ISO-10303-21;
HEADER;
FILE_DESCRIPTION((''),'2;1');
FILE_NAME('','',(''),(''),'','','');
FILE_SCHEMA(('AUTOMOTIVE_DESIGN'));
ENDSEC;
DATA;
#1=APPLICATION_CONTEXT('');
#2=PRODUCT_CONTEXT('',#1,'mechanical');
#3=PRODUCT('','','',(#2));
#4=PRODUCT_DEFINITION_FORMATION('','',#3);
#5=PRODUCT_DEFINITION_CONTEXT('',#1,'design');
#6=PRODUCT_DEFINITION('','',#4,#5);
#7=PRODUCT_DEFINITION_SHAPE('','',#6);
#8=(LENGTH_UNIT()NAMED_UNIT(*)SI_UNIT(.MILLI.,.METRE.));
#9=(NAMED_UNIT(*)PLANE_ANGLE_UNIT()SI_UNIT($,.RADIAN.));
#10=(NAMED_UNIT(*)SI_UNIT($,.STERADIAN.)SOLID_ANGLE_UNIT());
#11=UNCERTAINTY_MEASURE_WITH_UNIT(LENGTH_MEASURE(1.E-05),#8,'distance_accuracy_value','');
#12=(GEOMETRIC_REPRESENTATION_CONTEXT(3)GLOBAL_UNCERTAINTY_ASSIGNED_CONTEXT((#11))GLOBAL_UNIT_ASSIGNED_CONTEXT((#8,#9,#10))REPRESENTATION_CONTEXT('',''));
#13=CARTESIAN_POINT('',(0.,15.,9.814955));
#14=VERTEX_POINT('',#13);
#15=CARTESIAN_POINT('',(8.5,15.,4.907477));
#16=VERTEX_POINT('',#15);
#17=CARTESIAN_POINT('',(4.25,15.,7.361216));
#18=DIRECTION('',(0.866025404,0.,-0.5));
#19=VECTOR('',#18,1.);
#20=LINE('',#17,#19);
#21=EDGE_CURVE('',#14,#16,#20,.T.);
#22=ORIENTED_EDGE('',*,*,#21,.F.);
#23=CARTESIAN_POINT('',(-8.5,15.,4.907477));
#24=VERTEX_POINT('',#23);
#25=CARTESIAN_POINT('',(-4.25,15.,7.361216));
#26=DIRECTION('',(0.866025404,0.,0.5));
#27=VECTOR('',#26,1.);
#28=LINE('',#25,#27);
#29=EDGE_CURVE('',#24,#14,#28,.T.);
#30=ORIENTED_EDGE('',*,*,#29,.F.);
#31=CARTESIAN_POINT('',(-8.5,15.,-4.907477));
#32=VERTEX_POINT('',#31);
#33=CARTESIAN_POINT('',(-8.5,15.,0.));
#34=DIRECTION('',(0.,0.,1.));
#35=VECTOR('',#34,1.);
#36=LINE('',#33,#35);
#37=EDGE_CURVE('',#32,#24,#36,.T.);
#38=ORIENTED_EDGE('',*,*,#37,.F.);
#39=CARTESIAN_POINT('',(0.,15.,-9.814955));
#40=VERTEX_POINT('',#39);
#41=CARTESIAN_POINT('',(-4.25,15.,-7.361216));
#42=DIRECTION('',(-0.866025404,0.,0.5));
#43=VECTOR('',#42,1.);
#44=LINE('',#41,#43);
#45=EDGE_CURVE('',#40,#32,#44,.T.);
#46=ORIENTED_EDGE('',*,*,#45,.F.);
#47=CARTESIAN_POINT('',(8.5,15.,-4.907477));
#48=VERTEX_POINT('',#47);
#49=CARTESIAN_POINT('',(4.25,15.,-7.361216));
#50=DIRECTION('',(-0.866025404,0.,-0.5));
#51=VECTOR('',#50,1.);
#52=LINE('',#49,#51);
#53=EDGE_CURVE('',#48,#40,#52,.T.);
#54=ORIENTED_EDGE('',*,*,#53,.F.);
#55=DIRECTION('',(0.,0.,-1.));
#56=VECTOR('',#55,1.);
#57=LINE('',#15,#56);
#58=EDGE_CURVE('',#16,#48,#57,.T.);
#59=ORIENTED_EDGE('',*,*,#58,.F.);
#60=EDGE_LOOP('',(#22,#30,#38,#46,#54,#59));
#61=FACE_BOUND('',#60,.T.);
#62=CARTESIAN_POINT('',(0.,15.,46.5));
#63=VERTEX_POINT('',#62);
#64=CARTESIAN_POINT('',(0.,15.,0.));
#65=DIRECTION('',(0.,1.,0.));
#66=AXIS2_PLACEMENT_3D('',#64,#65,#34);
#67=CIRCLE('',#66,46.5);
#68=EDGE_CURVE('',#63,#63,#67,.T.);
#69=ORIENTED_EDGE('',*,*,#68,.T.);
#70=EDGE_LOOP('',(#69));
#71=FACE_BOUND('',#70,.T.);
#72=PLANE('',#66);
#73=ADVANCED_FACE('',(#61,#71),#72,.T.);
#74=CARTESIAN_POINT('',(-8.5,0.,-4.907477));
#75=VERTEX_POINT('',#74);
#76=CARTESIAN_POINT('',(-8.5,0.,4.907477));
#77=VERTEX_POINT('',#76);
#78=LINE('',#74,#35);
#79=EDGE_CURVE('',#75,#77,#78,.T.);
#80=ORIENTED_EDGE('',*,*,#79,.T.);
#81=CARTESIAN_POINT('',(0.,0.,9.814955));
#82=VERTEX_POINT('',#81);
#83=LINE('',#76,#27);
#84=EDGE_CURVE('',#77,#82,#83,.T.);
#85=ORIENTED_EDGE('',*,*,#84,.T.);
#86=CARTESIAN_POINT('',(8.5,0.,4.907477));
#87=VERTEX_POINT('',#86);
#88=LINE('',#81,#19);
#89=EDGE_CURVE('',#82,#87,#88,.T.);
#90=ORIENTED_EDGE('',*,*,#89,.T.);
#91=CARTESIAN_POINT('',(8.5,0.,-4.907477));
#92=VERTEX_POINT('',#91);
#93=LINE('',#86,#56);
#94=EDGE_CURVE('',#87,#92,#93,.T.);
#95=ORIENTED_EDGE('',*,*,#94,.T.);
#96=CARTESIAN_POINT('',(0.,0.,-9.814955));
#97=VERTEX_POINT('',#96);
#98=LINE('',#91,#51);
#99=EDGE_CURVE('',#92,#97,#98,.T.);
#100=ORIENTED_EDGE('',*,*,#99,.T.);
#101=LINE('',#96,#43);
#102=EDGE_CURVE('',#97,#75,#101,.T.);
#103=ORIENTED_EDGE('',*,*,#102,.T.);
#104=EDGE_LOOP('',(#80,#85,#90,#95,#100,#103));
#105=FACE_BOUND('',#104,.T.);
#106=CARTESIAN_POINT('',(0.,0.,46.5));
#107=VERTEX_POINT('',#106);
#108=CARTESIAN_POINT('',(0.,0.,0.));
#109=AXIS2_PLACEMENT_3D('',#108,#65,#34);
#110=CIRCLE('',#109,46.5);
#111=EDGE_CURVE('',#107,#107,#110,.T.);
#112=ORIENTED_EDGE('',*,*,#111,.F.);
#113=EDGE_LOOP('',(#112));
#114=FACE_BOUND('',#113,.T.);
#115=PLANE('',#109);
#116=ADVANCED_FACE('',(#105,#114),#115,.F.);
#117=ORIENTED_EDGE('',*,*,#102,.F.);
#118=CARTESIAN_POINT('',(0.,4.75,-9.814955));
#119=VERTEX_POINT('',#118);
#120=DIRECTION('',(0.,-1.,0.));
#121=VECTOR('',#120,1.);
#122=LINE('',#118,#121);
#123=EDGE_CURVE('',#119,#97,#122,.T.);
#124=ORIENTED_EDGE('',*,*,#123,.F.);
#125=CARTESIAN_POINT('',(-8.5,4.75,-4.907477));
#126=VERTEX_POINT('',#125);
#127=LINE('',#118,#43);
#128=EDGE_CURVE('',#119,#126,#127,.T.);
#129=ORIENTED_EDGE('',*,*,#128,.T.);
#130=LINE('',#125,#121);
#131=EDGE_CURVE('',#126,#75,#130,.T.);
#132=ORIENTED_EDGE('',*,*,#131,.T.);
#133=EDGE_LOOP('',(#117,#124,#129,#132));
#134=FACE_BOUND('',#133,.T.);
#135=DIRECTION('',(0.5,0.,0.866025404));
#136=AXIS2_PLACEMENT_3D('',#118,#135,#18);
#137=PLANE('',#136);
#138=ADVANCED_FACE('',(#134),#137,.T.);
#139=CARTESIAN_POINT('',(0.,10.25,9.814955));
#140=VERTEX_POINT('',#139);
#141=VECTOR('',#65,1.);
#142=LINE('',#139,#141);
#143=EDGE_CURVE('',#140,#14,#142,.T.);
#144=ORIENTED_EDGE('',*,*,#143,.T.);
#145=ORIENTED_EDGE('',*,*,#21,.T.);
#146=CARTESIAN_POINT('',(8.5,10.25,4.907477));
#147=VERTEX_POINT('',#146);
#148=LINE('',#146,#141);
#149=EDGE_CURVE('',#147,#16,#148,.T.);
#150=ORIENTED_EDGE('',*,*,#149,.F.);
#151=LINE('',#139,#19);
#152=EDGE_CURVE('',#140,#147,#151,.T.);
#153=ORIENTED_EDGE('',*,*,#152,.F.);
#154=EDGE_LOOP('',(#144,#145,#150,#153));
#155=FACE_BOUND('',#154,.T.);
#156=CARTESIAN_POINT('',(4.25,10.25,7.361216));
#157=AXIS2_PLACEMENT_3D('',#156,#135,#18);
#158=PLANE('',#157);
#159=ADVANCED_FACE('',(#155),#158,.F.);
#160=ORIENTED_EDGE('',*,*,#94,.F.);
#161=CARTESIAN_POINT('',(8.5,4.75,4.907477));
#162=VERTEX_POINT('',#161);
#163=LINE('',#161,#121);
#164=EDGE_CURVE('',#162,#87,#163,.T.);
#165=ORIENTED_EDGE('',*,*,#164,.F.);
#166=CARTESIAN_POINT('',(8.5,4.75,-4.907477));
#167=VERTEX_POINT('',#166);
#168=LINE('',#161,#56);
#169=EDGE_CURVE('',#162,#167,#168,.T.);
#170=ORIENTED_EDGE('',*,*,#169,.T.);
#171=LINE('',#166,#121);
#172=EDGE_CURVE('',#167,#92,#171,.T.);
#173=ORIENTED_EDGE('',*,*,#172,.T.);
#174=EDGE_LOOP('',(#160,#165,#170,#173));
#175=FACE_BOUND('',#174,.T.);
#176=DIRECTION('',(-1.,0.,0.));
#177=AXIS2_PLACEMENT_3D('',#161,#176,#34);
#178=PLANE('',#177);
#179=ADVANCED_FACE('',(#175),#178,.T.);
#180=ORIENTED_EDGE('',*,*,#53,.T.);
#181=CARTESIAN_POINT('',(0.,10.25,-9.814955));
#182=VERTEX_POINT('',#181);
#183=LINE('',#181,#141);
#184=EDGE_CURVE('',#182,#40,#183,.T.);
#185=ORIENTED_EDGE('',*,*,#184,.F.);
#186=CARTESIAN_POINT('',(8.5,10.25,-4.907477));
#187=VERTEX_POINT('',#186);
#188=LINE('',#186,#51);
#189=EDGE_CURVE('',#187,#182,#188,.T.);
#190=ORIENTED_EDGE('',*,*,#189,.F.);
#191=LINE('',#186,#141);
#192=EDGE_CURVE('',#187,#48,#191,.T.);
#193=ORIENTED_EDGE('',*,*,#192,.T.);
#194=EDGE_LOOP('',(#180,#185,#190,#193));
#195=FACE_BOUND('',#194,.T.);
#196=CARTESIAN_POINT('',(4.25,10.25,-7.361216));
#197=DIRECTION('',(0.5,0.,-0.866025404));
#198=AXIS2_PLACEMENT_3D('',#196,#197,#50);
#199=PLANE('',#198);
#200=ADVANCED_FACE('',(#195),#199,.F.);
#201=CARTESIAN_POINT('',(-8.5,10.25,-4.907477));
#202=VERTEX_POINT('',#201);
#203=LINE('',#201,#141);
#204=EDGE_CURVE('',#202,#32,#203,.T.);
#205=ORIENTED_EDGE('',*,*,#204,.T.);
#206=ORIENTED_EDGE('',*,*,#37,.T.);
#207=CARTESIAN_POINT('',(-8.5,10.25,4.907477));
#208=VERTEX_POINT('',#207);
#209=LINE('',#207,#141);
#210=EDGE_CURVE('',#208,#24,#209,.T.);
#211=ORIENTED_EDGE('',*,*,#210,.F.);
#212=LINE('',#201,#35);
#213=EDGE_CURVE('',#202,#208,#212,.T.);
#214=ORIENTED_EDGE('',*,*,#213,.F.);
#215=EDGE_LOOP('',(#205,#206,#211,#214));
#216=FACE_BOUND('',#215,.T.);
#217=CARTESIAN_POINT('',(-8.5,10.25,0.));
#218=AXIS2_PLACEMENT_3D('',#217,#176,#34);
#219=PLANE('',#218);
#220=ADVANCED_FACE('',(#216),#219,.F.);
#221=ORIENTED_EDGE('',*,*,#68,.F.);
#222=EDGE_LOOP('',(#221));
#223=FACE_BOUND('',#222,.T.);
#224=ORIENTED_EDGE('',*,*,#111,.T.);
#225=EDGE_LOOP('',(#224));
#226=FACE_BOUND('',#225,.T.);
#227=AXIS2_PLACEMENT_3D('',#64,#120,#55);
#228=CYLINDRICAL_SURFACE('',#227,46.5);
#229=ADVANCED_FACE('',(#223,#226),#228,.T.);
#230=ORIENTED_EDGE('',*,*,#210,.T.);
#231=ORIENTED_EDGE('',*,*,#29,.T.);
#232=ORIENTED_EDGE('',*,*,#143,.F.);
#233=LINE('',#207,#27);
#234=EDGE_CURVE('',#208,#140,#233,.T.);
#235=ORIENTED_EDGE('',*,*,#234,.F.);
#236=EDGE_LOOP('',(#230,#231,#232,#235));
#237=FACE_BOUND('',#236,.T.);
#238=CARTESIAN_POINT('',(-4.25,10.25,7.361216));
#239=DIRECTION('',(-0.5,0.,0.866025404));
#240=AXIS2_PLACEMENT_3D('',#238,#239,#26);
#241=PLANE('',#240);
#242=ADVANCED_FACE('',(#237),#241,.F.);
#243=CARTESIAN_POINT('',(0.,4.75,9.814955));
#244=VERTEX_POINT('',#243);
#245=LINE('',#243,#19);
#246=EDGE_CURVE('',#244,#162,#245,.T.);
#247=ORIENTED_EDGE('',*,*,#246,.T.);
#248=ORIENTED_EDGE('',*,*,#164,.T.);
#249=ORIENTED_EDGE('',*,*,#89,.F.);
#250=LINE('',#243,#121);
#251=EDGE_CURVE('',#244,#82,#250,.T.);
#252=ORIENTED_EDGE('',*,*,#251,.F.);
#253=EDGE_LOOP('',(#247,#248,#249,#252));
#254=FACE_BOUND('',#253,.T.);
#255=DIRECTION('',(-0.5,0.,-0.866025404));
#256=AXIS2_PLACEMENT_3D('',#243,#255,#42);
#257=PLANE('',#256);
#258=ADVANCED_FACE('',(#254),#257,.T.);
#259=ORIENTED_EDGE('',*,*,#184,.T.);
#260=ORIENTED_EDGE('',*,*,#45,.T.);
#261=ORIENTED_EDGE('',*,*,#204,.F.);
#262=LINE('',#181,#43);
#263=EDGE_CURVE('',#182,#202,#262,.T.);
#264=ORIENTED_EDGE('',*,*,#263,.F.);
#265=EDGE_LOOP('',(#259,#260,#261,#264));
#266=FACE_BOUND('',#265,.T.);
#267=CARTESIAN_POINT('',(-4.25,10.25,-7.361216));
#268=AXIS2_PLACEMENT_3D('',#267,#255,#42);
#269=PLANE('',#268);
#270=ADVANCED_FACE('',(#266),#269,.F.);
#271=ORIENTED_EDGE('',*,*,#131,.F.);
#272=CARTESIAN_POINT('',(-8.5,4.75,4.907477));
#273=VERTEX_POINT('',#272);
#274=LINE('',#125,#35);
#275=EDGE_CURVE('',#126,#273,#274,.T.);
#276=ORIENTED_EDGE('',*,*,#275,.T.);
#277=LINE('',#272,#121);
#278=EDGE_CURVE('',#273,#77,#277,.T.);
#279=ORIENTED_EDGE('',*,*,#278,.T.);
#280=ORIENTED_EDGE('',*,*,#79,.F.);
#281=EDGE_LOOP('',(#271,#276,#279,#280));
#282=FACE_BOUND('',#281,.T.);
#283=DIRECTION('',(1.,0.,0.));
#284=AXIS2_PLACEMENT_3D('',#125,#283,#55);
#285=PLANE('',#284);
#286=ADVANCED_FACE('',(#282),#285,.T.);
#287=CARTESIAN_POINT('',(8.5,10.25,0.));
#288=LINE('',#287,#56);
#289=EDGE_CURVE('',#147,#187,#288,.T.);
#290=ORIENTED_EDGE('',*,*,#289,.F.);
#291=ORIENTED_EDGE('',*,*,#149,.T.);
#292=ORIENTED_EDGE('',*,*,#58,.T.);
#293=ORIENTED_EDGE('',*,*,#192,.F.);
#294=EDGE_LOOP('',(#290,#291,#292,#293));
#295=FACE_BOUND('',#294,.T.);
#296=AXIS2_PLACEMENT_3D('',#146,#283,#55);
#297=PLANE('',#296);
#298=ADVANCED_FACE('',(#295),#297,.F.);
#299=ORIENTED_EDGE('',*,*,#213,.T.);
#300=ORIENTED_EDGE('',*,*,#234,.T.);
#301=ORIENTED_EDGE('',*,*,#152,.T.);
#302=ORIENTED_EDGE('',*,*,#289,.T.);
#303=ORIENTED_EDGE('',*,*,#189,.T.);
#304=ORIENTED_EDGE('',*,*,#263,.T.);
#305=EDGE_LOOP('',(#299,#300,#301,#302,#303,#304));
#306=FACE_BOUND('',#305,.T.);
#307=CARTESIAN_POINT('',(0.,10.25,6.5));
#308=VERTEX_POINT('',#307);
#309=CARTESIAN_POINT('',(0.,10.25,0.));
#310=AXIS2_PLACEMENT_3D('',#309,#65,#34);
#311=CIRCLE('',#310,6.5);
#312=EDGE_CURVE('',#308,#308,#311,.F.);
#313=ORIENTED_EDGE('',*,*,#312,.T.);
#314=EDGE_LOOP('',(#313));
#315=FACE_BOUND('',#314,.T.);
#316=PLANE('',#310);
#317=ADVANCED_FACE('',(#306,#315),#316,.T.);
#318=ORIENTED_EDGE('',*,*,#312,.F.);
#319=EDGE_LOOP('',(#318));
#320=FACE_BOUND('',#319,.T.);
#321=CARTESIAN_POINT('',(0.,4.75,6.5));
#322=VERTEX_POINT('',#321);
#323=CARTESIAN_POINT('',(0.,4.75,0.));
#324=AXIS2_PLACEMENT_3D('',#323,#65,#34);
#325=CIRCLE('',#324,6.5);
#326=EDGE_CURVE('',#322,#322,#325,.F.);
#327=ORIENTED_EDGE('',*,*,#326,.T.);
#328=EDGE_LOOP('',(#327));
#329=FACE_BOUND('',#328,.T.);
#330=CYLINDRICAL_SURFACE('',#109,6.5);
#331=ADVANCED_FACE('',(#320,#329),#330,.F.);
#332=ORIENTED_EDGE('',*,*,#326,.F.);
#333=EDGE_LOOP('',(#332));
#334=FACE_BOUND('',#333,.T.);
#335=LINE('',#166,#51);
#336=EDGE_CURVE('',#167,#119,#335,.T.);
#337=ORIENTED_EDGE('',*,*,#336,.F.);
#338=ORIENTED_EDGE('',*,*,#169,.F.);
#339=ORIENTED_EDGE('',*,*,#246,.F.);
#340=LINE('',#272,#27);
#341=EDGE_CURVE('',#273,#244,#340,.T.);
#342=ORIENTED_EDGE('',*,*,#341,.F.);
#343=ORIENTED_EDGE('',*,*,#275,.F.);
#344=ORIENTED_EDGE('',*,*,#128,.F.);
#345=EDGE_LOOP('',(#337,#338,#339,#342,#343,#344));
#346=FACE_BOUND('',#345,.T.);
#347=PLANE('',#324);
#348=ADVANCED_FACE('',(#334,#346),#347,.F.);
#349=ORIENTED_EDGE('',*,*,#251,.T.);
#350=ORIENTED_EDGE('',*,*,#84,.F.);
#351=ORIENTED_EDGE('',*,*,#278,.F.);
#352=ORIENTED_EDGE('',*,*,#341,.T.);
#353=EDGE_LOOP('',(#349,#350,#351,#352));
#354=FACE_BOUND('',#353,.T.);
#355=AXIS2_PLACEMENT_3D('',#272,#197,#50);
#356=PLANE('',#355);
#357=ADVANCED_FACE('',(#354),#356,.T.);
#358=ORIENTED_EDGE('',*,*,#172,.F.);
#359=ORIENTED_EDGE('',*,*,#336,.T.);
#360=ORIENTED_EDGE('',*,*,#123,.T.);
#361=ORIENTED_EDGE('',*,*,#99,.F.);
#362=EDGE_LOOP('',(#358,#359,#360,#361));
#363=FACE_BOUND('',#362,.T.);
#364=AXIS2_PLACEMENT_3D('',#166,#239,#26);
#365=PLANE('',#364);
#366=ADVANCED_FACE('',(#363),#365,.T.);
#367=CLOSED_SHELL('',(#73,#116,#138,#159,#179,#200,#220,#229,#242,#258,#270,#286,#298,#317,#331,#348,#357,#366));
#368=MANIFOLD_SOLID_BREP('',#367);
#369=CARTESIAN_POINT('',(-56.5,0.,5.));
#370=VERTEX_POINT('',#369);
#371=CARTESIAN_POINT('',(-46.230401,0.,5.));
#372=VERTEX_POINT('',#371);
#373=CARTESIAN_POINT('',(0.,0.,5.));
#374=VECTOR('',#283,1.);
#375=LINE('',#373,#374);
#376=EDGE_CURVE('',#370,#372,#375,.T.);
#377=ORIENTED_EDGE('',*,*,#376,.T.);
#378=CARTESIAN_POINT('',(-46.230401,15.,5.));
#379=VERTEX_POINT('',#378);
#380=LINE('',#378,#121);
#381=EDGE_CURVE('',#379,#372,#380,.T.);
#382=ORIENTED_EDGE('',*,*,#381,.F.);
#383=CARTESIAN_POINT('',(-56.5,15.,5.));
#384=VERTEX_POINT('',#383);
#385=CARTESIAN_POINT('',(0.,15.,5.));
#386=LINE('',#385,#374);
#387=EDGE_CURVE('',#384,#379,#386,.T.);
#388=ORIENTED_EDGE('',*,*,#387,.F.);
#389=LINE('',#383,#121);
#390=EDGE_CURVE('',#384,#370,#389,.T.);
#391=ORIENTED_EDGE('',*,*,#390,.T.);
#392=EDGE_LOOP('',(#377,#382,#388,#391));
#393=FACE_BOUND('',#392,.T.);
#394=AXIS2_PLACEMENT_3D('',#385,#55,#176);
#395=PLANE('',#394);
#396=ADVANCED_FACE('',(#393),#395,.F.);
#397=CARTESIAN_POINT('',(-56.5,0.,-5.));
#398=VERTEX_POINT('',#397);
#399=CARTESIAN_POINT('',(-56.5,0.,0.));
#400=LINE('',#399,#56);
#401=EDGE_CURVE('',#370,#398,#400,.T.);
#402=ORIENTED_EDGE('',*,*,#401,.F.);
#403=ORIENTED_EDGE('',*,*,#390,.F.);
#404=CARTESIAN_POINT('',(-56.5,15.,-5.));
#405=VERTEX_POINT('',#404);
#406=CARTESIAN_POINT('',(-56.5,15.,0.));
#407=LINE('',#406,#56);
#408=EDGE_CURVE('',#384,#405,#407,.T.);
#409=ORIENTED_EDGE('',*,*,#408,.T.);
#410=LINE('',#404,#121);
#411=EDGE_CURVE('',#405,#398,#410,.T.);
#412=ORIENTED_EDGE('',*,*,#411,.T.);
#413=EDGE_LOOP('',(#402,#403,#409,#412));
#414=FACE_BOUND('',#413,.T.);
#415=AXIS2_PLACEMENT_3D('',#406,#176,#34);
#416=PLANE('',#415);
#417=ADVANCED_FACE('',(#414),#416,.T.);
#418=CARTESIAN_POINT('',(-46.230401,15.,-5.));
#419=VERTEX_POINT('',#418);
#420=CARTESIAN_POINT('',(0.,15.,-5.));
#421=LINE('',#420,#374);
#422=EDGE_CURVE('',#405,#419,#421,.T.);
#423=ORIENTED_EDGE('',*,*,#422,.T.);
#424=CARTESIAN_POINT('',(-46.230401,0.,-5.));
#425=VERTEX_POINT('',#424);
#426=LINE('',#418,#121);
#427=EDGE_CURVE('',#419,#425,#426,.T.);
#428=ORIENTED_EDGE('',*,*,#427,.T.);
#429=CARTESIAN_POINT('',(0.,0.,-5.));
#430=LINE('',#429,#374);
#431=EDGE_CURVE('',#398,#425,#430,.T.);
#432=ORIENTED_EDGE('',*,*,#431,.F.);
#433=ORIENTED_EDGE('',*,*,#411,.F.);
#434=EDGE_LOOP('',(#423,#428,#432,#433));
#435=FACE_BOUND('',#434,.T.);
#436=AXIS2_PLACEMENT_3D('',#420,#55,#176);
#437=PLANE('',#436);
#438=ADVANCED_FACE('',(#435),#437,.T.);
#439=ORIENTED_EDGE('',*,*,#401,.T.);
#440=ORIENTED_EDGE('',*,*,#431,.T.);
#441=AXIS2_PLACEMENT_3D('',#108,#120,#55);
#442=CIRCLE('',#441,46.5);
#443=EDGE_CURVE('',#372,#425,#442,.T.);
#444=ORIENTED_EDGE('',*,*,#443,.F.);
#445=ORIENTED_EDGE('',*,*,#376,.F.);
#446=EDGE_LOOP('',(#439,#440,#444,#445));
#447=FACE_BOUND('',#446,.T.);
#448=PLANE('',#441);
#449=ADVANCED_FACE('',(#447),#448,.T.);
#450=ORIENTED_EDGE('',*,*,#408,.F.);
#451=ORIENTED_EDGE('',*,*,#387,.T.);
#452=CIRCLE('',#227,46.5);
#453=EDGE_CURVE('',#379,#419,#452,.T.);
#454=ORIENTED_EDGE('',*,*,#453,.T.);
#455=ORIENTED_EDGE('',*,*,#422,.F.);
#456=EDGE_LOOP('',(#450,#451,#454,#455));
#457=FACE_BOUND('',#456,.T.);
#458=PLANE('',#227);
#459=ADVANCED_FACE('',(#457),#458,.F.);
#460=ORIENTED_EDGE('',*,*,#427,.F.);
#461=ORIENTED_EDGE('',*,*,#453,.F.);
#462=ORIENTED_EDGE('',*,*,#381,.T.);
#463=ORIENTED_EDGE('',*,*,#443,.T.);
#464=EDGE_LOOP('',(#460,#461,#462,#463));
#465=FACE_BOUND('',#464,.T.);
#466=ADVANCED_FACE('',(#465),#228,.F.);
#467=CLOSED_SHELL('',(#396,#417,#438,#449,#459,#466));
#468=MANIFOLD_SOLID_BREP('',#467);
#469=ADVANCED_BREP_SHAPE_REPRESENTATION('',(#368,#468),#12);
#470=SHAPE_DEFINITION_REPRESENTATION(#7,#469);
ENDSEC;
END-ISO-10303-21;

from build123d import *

# Parameters (mm, degrees)
ESQUISSE1_R             = 46.5
BOSS_EXTRU_1_DEPTH      = 15
BOSS_EXTRU_2_DEPTH      = 15
ESQUISSE3_R             = 6.5
ENL_V_MAT_EXTRU_1_DEPTH = 75.696050766
ENL_V_MAT_EXTRU_3_DEPTH = 4.75
ENL_V_MAT_EXTRU_4_DEPTH = 4.75


with BuildPart() as part:
    # Esquisse1 → Boss.-Extru.1 (new body)
    with BuildSketch(Plane(origin=(0, 0, 0), x_dir=(1, 0, 0), z_dir=(0, 1, 0))):
        with Locations(Location((0, 0, 0), (0, 0, 270))):
            Circle(ESQUISSE1_R)
    extrude(amount=BOSS_EXTRU_1_DEPTH)

    # Esquisse3 → Enlèv. mat.-Extru.1 (cut, through all)
    with BuildSketch(Plane(origin=(0, 15, 0), x_dir=(1, 0, 0), z_dir=(0, 1, 0))):
        with Locations(Location((0, 0, 0), (0, 0, 270))):
            Circle(ESQUISSE3_R)
    extrude(amount=-ENL_V_MAT_EXTRU_1_DEPTH, mode=Mode.SUBTRACT)

    # Esquisse4 → Enlèv. mat.-Extru.3 (cut)
    with BuildSketch(Plane(origin=(0, 15, 0), x_dir=(1, 0, 0), z_dir=(0, 1, 0))):
        Polygon((4.25, 7.361215932), (0, 9.814954576), (-4.25, 7.361215932), (-8.5, 4.907477288), (-8.5, 0), (-8.5, -4.907477288), (-4.25, -7.361215932), (0, -9.814954576), (4.25, -7.361215932), (8.5, -4.907477288), (8.5, 0), (8.5, 4.907477288), align=None)
    extrude(amount=-ENL_V_MAT_EXTRU_3_DEPTH, mode=Mode.SUBTRACT)

    # Esquisse5 → Enlèv. mat.-Extru.4 (cut)
    with BuildSketch(Plane.XZ):
        Polygon((-8.5, 4.907477288), (0, 9.814954576), (8.5, 4.907477288), (8.5, -4.907477288), (0, -9.814954576), (-8.5, -4.907477288), align=None)
    extrude(amount=-ENL_V_MAT_EXTRU_4_DEPTH, mode=Mode.SUBTRACT)


with BuildPart() as body_2:
    # Esquisse2 → Boss.-Extru.2 (new body)
    with BuildSketch(Plane.XZ):
        with BuildLine():
            ThreePointArc((-46.230401253, -5), (-46.432551396, -2.503631537), (-46.5, 0))
            Line((-46.5, 0), (-56.5, 0))
            Line((-56.5, 0), (-56.5, -5))
            Line((-56.5, -5), (-46.230401253, -5))
        make_face()
        with BuildLine():
            Line((-56.5, 0), (-46.5, 0))
            ThreePointArc((-46.5, 0), (-46.432551396, 2.503631537), (-46.230401253, 5))
            Line((-46.230401253, 5), (-56.5, 5))
            Line((-56.5, 5), (-56.5, 0))
        make_face()
    extrude(amount=-BOSS_EXTRU_2_DEPTH)


solid = Compound([part.part, body_2.part])
